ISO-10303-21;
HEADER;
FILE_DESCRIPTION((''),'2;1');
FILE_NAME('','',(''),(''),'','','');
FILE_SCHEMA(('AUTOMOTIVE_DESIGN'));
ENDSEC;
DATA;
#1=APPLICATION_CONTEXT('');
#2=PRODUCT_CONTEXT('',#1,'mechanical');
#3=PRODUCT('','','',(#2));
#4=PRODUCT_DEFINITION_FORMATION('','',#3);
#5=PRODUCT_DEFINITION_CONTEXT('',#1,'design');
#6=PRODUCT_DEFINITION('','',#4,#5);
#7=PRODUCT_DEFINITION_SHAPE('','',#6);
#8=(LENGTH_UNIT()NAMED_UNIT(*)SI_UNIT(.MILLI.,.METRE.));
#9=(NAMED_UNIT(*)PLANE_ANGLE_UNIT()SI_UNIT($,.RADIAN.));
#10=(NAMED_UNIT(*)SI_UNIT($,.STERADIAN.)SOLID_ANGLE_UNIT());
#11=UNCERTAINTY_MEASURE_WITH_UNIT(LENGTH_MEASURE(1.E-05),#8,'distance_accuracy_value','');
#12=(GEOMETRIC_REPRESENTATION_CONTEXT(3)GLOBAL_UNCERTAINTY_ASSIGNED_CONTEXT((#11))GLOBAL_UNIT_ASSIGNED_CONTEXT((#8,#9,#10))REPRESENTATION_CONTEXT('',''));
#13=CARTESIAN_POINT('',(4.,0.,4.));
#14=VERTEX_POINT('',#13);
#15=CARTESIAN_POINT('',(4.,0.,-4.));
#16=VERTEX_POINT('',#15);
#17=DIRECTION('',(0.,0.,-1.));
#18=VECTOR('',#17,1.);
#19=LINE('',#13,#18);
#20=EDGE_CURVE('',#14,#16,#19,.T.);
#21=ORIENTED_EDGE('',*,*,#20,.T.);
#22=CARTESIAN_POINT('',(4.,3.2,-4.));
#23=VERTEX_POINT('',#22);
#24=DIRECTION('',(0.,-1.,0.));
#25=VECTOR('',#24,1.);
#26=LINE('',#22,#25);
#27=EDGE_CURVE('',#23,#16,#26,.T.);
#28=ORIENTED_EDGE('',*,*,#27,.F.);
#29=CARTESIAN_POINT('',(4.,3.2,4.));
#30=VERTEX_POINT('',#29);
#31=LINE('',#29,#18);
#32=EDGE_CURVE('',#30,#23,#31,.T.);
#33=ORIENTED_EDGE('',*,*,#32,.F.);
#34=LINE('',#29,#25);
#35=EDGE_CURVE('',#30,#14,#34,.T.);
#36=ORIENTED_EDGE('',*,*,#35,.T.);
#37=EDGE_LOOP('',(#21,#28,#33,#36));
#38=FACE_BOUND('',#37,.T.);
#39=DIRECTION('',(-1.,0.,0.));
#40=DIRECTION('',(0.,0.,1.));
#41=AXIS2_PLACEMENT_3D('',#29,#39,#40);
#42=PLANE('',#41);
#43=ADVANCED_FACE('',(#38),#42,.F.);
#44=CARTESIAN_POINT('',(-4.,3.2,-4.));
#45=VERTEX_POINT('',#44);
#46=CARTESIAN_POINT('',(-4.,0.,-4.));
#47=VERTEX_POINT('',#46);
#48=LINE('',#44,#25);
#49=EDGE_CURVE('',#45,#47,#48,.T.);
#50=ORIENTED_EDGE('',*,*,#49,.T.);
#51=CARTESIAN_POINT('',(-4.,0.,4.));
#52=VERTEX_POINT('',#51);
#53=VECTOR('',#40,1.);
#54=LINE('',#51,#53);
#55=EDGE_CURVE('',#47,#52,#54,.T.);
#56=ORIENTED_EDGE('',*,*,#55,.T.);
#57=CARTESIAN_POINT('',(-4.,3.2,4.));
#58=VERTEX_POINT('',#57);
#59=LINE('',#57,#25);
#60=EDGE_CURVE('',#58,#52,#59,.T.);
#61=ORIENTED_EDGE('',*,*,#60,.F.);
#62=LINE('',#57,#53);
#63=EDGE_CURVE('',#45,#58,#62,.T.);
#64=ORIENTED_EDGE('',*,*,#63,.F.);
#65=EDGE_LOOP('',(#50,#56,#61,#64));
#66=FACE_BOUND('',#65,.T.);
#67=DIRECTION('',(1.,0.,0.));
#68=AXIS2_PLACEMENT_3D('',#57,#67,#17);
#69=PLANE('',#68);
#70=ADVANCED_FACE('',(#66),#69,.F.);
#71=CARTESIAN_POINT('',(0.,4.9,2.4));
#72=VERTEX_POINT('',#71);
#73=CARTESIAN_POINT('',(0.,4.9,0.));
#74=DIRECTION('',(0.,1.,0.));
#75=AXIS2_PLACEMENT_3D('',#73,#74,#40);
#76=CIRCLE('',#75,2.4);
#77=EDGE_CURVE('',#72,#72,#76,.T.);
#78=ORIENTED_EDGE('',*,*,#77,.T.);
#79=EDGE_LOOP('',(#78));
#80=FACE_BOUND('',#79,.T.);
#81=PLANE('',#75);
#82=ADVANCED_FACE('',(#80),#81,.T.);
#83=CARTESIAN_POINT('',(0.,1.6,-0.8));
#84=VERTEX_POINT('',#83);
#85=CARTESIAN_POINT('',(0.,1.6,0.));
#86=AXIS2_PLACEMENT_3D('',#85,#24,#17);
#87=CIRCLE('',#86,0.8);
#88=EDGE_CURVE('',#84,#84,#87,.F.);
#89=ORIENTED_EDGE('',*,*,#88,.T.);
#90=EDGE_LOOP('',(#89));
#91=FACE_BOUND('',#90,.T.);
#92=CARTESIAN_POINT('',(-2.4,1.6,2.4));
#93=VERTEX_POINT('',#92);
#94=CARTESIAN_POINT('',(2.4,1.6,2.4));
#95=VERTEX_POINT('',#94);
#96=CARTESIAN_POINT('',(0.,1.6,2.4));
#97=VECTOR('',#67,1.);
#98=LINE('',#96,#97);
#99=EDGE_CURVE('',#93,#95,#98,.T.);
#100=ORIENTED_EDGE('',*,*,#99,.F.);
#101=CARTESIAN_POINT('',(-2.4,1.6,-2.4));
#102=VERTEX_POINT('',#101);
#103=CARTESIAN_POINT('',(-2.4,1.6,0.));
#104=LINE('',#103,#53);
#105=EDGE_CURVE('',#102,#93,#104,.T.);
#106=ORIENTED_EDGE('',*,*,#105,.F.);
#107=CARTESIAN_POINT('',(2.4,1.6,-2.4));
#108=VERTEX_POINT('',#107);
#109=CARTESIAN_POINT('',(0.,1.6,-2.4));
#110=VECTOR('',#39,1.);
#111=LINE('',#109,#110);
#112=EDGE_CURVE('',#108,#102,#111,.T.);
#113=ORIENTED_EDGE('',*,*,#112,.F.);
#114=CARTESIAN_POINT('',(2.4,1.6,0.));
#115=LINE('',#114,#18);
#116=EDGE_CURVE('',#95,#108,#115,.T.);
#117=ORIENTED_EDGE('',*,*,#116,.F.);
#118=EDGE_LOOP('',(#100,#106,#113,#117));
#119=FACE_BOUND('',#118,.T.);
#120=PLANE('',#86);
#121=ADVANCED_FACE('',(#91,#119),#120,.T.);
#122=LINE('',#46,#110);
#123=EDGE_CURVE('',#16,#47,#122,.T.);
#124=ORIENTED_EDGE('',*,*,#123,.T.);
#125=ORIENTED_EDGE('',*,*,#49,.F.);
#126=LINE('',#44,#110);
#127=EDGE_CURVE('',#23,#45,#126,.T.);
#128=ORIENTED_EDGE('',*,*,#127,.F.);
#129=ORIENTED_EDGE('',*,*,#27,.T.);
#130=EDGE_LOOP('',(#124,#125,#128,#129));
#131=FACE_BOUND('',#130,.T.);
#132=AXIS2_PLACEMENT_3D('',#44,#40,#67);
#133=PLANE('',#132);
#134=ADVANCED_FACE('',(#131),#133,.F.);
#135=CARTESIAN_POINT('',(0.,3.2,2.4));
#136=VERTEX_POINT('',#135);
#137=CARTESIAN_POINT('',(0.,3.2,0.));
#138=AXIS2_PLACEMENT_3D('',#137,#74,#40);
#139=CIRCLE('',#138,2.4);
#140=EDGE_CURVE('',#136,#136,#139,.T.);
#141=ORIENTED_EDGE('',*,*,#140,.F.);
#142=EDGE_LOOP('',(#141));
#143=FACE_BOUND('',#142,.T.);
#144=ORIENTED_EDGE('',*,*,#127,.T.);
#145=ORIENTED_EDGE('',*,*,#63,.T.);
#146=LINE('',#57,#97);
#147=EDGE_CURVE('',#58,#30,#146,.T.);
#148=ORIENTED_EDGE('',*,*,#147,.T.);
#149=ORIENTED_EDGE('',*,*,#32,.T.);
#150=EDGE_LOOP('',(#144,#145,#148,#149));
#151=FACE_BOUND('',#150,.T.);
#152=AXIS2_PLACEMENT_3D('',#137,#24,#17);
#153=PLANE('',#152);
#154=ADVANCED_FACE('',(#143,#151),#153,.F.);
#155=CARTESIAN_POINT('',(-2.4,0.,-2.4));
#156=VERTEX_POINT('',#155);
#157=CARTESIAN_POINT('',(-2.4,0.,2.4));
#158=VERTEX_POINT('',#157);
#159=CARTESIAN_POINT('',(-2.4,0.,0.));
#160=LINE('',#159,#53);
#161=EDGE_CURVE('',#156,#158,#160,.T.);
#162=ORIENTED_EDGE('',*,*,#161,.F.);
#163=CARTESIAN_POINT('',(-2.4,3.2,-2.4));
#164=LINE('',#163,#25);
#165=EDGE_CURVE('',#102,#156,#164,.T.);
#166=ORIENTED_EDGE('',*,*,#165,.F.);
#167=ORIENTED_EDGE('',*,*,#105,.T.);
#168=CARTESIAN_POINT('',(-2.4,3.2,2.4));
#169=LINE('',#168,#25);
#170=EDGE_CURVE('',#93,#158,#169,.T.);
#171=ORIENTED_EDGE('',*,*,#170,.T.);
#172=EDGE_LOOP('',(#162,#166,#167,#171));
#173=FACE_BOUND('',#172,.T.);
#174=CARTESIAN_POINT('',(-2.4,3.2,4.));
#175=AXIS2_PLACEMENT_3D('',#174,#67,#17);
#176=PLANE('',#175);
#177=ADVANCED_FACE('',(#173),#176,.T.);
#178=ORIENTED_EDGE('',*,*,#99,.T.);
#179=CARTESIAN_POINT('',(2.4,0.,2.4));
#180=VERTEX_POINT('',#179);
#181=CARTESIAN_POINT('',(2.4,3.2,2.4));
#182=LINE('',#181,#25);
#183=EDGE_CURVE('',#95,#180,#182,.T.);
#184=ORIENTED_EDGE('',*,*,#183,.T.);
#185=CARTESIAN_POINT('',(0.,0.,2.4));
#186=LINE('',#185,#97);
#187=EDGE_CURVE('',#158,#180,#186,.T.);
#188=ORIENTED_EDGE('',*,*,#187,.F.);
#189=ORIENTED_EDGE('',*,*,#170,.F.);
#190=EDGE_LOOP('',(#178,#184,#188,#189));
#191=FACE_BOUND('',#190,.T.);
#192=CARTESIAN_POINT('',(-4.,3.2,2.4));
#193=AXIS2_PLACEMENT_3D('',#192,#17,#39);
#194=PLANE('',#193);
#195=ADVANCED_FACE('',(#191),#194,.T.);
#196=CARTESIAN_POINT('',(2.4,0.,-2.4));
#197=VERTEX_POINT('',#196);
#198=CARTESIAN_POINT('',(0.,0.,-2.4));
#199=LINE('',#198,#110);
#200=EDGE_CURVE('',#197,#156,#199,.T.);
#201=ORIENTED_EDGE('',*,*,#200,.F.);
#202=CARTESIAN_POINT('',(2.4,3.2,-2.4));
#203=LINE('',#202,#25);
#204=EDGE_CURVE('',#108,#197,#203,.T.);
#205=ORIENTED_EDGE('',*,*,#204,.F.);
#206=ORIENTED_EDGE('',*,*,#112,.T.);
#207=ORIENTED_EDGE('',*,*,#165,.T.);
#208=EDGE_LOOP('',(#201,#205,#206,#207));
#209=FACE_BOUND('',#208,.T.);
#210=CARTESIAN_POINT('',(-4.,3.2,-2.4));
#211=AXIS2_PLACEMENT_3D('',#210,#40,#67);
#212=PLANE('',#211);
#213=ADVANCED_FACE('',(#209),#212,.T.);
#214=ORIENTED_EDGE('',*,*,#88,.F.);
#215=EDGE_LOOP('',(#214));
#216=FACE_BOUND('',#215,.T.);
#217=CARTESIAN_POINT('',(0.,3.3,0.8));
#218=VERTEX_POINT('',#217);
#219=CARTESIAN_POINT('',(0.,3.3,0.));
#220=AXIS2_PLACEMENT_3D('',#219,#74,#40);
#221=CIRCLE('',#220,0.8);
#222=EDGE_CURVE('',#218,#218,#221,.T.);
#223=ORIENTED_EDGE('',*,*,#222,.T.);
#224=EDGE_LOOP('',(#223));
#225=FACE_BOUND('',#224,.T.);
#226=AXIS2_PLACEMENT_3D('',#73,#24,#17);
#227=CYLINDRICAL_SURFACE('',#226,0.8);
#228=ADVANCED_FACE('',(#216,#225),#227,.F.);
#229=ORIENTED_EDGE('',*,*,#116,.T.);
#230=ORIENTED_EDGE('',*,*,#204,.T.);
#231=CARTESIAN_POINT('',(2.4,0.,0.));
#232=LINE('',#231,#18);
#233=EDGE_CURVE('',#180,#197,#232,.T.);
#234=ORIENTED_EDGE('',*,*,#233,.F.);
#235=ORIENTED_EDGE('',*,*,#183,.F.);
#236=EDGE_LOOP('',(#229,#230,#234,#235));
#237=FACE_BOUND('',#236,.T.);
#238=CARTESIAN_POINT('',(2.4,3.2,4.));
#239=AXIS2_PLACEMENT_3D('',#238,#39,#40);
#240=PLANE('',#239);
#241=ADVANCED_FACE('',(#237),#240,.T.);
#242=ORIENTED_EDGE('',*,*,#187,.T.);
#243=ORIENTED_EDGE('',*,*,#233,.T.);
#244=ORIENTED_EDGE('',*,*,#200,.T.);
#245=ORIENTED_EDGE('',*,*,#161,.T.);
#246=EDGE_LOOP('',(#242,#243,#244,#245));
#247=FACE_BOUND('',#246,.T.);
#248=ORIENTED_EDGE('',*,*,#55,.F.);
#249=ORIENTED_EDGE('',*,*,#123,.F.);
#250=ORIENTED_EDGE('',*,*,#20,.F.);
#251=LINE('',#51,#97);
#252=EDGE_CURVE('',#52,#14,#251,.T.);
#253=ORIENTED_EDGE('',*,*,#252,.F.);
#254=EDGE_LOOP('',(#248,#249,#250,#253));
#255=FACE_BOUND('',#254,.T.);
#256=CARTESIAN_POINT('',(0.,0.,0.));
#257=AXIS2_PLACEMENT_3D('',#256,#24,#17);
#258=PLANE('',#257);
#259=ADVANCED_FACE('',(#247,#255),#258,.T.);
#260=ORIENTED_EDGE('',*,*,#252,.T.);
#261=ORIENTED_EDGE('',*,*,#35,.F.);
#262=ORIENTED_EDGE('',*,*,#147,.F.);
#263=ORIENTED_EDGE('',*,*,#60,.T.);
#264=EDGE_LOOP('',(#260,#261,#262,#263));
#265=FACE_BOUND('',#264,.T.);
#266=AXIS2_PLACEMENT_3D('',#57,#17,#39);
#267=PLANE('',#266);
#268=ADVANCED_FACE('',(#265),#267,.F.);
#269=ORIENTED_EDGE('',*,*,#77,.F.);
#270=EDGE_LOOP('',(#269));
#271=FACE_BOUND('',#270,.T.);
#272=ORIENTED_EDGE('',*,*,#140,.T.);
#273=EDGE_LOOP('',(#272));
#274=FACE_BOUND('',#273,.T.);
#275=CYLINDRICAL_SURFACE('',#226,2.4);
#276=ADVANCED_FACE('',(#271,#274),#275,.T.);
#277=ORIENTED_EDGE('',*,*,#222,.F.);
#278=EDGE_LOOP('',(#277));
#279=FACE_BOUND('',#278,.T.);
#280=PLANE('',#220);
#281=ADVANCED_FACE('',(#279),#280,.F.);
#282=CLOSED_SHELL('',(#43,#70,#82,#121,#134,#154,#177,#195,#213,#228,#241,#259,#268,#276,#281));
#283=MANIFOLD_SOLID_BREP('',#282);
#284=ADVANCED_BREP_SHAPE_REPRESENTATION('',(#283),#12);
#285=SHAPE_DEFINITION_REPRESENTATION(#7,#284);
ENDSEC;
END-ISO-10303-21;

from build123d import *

# Parameters (mm, degrees)
SKETCH_1_W      = 8
SKETCH_1_H      = 8
HEIGHT_DEPTH    = 3.2
SKETCH_2_R      = 2.4
EXTRUDE_2_DEPTH = 1.7
SHELL_1_T       = -1.6


with BuildPart() as part:
    # 草圖1 → height (new body)
    with BuildSketch(Plane(origin=(0, 0, 0), x_dir=(1, 0, 0), z_dir=(0, 1, 0))):
        Rectangle(SKETCH_1_W, SKETCH_1_H)
    extrude(amount=HEIGHT_DEPTH)

    # 草圖2 → 填料-伸長2 (add)
    with BuildSketch(Plane(origin=(0, 3.2, 0), x_dir=(1, 0, 0), z_dir=(0, 1, 0))):
        Circle(SKETCH_2_R)
    extrude(amount=EXTRUDE_2_DEPTH)

    # 薄殼1
    shell_1_openings = [part.faces().sort_by_distance(p)[0] for p in [
        (0, 0, 0),
    ]]
    offset(amount=SHELL_1_T, openings=shell_1_openings, kind=Kind.INTERSECTION)


solid = part.part
